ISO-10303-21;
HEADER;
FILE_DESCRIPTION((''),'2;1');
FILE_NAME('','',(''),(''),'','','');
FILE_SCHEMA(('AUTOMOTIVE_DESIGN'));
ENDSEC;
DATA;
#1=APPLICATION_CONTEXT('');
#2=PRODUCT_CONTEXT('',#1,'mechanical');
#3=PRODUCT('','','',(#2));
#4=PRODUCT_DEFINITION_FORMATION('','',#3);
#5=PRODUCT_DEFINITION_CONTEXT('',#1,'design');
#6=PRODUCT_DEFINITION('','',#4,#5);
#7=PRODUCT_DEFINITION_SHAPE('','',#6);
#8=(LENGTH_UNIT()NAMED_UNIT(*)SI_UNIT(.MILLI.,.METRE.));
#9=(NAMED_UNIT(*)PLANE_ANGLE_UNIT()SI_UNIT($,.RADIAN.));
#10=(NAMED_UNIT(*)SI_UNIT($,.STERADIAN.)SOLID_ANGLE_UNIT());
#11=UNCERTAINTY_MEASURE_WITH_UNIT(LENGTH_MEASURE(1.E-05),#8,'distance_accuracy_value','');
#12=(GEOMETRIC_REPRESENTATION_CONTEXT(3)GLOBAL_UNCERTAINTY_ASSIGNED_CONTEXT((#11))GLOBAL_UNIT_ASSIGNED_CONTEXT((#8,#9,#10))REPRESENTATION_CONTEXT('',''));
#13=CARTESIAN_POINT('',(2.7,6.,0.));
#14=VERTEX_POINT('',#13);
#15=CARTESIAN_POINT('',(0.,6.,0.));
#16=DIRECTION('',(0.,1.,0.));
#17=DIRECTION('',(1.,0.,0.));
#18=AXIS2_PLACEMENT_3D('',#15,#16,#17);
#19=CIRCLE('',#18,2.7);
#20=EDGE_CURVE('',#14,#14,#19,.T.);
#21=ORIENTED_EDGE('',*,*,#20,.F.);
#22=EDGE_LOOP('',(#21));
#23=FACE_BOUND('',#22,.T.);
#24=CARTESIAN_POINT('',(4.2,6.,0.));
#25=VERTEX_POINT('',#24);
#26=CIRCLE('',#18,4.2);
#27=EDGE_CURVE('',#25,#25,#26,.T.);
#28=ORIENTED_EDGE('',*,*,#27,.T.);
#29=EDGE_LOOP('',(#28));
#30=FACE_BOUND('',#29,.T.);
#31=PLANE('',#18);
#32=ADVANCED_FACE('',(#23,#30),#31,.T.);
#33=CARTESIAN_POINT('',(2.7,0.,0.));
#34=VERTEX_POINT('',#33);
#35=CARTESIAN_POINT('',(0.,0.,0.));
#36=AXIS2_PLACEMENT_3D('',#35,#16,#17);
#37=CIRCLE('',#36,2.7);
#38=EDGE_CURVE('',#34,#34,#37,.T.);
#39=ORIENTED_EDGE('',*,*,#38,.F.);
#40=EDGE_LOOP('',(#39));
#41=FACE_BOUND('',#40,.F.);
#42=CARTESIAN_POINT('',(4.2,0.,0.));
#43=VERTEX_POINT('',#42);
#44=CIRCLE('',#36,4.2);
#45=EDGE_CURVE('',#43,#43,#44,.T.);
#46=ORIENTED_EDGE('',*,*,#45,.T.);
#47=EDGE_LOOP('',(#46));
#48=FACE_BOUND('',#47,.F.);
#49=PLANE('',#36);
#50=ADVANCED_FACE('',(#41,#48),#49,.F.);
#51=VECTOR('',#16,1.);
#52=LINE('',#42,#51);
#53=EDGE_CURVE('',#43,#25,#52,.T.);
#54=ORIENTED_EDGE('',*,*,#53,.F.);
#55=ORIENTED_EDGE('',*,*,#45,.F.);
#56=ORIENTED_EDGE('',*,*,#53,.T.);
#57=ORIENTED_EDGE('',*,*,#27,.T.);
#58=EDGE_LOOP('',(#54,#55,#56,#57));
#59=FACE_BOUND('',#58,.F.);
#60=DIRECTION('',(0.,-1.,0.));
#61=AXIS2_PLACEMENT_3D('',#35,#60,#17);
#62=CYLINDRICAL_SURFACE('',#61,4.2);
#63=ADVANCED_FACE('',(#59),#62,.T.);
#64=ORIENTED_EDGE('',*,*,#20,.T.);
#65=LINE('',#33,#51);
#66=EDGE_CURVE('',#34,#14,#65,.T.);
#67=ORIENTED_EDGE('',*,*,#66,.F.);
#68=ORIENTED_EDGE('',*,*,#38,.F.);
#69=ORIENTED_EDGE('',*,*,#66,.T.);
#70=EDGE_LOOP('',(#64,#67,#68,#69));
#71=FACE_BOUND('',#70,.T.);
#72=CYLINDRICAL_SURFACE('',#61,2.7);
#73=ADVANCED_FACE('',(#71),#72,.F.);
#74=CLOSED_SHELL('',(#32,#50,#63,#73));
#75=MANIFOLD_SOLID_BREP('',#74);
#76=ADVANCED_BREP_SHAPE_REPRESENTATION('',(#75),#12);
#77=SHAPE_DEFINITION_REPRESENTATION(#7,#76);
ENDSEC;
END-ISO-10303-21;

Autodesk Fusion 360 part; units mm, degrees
sketch "Sketch1" plane through (0, 0, 0) normal (0, 1, 0) x (1, 0, 0)
  circle A0 centre (0, 0) radius 4.2
  circle A1 centre (0, 0) radius 2.7
  dimension "d1" = 8.4
  dimension "d2" = 5.4
extrude "Extrude1" add sketch "Sketch1" along normal blind 6
